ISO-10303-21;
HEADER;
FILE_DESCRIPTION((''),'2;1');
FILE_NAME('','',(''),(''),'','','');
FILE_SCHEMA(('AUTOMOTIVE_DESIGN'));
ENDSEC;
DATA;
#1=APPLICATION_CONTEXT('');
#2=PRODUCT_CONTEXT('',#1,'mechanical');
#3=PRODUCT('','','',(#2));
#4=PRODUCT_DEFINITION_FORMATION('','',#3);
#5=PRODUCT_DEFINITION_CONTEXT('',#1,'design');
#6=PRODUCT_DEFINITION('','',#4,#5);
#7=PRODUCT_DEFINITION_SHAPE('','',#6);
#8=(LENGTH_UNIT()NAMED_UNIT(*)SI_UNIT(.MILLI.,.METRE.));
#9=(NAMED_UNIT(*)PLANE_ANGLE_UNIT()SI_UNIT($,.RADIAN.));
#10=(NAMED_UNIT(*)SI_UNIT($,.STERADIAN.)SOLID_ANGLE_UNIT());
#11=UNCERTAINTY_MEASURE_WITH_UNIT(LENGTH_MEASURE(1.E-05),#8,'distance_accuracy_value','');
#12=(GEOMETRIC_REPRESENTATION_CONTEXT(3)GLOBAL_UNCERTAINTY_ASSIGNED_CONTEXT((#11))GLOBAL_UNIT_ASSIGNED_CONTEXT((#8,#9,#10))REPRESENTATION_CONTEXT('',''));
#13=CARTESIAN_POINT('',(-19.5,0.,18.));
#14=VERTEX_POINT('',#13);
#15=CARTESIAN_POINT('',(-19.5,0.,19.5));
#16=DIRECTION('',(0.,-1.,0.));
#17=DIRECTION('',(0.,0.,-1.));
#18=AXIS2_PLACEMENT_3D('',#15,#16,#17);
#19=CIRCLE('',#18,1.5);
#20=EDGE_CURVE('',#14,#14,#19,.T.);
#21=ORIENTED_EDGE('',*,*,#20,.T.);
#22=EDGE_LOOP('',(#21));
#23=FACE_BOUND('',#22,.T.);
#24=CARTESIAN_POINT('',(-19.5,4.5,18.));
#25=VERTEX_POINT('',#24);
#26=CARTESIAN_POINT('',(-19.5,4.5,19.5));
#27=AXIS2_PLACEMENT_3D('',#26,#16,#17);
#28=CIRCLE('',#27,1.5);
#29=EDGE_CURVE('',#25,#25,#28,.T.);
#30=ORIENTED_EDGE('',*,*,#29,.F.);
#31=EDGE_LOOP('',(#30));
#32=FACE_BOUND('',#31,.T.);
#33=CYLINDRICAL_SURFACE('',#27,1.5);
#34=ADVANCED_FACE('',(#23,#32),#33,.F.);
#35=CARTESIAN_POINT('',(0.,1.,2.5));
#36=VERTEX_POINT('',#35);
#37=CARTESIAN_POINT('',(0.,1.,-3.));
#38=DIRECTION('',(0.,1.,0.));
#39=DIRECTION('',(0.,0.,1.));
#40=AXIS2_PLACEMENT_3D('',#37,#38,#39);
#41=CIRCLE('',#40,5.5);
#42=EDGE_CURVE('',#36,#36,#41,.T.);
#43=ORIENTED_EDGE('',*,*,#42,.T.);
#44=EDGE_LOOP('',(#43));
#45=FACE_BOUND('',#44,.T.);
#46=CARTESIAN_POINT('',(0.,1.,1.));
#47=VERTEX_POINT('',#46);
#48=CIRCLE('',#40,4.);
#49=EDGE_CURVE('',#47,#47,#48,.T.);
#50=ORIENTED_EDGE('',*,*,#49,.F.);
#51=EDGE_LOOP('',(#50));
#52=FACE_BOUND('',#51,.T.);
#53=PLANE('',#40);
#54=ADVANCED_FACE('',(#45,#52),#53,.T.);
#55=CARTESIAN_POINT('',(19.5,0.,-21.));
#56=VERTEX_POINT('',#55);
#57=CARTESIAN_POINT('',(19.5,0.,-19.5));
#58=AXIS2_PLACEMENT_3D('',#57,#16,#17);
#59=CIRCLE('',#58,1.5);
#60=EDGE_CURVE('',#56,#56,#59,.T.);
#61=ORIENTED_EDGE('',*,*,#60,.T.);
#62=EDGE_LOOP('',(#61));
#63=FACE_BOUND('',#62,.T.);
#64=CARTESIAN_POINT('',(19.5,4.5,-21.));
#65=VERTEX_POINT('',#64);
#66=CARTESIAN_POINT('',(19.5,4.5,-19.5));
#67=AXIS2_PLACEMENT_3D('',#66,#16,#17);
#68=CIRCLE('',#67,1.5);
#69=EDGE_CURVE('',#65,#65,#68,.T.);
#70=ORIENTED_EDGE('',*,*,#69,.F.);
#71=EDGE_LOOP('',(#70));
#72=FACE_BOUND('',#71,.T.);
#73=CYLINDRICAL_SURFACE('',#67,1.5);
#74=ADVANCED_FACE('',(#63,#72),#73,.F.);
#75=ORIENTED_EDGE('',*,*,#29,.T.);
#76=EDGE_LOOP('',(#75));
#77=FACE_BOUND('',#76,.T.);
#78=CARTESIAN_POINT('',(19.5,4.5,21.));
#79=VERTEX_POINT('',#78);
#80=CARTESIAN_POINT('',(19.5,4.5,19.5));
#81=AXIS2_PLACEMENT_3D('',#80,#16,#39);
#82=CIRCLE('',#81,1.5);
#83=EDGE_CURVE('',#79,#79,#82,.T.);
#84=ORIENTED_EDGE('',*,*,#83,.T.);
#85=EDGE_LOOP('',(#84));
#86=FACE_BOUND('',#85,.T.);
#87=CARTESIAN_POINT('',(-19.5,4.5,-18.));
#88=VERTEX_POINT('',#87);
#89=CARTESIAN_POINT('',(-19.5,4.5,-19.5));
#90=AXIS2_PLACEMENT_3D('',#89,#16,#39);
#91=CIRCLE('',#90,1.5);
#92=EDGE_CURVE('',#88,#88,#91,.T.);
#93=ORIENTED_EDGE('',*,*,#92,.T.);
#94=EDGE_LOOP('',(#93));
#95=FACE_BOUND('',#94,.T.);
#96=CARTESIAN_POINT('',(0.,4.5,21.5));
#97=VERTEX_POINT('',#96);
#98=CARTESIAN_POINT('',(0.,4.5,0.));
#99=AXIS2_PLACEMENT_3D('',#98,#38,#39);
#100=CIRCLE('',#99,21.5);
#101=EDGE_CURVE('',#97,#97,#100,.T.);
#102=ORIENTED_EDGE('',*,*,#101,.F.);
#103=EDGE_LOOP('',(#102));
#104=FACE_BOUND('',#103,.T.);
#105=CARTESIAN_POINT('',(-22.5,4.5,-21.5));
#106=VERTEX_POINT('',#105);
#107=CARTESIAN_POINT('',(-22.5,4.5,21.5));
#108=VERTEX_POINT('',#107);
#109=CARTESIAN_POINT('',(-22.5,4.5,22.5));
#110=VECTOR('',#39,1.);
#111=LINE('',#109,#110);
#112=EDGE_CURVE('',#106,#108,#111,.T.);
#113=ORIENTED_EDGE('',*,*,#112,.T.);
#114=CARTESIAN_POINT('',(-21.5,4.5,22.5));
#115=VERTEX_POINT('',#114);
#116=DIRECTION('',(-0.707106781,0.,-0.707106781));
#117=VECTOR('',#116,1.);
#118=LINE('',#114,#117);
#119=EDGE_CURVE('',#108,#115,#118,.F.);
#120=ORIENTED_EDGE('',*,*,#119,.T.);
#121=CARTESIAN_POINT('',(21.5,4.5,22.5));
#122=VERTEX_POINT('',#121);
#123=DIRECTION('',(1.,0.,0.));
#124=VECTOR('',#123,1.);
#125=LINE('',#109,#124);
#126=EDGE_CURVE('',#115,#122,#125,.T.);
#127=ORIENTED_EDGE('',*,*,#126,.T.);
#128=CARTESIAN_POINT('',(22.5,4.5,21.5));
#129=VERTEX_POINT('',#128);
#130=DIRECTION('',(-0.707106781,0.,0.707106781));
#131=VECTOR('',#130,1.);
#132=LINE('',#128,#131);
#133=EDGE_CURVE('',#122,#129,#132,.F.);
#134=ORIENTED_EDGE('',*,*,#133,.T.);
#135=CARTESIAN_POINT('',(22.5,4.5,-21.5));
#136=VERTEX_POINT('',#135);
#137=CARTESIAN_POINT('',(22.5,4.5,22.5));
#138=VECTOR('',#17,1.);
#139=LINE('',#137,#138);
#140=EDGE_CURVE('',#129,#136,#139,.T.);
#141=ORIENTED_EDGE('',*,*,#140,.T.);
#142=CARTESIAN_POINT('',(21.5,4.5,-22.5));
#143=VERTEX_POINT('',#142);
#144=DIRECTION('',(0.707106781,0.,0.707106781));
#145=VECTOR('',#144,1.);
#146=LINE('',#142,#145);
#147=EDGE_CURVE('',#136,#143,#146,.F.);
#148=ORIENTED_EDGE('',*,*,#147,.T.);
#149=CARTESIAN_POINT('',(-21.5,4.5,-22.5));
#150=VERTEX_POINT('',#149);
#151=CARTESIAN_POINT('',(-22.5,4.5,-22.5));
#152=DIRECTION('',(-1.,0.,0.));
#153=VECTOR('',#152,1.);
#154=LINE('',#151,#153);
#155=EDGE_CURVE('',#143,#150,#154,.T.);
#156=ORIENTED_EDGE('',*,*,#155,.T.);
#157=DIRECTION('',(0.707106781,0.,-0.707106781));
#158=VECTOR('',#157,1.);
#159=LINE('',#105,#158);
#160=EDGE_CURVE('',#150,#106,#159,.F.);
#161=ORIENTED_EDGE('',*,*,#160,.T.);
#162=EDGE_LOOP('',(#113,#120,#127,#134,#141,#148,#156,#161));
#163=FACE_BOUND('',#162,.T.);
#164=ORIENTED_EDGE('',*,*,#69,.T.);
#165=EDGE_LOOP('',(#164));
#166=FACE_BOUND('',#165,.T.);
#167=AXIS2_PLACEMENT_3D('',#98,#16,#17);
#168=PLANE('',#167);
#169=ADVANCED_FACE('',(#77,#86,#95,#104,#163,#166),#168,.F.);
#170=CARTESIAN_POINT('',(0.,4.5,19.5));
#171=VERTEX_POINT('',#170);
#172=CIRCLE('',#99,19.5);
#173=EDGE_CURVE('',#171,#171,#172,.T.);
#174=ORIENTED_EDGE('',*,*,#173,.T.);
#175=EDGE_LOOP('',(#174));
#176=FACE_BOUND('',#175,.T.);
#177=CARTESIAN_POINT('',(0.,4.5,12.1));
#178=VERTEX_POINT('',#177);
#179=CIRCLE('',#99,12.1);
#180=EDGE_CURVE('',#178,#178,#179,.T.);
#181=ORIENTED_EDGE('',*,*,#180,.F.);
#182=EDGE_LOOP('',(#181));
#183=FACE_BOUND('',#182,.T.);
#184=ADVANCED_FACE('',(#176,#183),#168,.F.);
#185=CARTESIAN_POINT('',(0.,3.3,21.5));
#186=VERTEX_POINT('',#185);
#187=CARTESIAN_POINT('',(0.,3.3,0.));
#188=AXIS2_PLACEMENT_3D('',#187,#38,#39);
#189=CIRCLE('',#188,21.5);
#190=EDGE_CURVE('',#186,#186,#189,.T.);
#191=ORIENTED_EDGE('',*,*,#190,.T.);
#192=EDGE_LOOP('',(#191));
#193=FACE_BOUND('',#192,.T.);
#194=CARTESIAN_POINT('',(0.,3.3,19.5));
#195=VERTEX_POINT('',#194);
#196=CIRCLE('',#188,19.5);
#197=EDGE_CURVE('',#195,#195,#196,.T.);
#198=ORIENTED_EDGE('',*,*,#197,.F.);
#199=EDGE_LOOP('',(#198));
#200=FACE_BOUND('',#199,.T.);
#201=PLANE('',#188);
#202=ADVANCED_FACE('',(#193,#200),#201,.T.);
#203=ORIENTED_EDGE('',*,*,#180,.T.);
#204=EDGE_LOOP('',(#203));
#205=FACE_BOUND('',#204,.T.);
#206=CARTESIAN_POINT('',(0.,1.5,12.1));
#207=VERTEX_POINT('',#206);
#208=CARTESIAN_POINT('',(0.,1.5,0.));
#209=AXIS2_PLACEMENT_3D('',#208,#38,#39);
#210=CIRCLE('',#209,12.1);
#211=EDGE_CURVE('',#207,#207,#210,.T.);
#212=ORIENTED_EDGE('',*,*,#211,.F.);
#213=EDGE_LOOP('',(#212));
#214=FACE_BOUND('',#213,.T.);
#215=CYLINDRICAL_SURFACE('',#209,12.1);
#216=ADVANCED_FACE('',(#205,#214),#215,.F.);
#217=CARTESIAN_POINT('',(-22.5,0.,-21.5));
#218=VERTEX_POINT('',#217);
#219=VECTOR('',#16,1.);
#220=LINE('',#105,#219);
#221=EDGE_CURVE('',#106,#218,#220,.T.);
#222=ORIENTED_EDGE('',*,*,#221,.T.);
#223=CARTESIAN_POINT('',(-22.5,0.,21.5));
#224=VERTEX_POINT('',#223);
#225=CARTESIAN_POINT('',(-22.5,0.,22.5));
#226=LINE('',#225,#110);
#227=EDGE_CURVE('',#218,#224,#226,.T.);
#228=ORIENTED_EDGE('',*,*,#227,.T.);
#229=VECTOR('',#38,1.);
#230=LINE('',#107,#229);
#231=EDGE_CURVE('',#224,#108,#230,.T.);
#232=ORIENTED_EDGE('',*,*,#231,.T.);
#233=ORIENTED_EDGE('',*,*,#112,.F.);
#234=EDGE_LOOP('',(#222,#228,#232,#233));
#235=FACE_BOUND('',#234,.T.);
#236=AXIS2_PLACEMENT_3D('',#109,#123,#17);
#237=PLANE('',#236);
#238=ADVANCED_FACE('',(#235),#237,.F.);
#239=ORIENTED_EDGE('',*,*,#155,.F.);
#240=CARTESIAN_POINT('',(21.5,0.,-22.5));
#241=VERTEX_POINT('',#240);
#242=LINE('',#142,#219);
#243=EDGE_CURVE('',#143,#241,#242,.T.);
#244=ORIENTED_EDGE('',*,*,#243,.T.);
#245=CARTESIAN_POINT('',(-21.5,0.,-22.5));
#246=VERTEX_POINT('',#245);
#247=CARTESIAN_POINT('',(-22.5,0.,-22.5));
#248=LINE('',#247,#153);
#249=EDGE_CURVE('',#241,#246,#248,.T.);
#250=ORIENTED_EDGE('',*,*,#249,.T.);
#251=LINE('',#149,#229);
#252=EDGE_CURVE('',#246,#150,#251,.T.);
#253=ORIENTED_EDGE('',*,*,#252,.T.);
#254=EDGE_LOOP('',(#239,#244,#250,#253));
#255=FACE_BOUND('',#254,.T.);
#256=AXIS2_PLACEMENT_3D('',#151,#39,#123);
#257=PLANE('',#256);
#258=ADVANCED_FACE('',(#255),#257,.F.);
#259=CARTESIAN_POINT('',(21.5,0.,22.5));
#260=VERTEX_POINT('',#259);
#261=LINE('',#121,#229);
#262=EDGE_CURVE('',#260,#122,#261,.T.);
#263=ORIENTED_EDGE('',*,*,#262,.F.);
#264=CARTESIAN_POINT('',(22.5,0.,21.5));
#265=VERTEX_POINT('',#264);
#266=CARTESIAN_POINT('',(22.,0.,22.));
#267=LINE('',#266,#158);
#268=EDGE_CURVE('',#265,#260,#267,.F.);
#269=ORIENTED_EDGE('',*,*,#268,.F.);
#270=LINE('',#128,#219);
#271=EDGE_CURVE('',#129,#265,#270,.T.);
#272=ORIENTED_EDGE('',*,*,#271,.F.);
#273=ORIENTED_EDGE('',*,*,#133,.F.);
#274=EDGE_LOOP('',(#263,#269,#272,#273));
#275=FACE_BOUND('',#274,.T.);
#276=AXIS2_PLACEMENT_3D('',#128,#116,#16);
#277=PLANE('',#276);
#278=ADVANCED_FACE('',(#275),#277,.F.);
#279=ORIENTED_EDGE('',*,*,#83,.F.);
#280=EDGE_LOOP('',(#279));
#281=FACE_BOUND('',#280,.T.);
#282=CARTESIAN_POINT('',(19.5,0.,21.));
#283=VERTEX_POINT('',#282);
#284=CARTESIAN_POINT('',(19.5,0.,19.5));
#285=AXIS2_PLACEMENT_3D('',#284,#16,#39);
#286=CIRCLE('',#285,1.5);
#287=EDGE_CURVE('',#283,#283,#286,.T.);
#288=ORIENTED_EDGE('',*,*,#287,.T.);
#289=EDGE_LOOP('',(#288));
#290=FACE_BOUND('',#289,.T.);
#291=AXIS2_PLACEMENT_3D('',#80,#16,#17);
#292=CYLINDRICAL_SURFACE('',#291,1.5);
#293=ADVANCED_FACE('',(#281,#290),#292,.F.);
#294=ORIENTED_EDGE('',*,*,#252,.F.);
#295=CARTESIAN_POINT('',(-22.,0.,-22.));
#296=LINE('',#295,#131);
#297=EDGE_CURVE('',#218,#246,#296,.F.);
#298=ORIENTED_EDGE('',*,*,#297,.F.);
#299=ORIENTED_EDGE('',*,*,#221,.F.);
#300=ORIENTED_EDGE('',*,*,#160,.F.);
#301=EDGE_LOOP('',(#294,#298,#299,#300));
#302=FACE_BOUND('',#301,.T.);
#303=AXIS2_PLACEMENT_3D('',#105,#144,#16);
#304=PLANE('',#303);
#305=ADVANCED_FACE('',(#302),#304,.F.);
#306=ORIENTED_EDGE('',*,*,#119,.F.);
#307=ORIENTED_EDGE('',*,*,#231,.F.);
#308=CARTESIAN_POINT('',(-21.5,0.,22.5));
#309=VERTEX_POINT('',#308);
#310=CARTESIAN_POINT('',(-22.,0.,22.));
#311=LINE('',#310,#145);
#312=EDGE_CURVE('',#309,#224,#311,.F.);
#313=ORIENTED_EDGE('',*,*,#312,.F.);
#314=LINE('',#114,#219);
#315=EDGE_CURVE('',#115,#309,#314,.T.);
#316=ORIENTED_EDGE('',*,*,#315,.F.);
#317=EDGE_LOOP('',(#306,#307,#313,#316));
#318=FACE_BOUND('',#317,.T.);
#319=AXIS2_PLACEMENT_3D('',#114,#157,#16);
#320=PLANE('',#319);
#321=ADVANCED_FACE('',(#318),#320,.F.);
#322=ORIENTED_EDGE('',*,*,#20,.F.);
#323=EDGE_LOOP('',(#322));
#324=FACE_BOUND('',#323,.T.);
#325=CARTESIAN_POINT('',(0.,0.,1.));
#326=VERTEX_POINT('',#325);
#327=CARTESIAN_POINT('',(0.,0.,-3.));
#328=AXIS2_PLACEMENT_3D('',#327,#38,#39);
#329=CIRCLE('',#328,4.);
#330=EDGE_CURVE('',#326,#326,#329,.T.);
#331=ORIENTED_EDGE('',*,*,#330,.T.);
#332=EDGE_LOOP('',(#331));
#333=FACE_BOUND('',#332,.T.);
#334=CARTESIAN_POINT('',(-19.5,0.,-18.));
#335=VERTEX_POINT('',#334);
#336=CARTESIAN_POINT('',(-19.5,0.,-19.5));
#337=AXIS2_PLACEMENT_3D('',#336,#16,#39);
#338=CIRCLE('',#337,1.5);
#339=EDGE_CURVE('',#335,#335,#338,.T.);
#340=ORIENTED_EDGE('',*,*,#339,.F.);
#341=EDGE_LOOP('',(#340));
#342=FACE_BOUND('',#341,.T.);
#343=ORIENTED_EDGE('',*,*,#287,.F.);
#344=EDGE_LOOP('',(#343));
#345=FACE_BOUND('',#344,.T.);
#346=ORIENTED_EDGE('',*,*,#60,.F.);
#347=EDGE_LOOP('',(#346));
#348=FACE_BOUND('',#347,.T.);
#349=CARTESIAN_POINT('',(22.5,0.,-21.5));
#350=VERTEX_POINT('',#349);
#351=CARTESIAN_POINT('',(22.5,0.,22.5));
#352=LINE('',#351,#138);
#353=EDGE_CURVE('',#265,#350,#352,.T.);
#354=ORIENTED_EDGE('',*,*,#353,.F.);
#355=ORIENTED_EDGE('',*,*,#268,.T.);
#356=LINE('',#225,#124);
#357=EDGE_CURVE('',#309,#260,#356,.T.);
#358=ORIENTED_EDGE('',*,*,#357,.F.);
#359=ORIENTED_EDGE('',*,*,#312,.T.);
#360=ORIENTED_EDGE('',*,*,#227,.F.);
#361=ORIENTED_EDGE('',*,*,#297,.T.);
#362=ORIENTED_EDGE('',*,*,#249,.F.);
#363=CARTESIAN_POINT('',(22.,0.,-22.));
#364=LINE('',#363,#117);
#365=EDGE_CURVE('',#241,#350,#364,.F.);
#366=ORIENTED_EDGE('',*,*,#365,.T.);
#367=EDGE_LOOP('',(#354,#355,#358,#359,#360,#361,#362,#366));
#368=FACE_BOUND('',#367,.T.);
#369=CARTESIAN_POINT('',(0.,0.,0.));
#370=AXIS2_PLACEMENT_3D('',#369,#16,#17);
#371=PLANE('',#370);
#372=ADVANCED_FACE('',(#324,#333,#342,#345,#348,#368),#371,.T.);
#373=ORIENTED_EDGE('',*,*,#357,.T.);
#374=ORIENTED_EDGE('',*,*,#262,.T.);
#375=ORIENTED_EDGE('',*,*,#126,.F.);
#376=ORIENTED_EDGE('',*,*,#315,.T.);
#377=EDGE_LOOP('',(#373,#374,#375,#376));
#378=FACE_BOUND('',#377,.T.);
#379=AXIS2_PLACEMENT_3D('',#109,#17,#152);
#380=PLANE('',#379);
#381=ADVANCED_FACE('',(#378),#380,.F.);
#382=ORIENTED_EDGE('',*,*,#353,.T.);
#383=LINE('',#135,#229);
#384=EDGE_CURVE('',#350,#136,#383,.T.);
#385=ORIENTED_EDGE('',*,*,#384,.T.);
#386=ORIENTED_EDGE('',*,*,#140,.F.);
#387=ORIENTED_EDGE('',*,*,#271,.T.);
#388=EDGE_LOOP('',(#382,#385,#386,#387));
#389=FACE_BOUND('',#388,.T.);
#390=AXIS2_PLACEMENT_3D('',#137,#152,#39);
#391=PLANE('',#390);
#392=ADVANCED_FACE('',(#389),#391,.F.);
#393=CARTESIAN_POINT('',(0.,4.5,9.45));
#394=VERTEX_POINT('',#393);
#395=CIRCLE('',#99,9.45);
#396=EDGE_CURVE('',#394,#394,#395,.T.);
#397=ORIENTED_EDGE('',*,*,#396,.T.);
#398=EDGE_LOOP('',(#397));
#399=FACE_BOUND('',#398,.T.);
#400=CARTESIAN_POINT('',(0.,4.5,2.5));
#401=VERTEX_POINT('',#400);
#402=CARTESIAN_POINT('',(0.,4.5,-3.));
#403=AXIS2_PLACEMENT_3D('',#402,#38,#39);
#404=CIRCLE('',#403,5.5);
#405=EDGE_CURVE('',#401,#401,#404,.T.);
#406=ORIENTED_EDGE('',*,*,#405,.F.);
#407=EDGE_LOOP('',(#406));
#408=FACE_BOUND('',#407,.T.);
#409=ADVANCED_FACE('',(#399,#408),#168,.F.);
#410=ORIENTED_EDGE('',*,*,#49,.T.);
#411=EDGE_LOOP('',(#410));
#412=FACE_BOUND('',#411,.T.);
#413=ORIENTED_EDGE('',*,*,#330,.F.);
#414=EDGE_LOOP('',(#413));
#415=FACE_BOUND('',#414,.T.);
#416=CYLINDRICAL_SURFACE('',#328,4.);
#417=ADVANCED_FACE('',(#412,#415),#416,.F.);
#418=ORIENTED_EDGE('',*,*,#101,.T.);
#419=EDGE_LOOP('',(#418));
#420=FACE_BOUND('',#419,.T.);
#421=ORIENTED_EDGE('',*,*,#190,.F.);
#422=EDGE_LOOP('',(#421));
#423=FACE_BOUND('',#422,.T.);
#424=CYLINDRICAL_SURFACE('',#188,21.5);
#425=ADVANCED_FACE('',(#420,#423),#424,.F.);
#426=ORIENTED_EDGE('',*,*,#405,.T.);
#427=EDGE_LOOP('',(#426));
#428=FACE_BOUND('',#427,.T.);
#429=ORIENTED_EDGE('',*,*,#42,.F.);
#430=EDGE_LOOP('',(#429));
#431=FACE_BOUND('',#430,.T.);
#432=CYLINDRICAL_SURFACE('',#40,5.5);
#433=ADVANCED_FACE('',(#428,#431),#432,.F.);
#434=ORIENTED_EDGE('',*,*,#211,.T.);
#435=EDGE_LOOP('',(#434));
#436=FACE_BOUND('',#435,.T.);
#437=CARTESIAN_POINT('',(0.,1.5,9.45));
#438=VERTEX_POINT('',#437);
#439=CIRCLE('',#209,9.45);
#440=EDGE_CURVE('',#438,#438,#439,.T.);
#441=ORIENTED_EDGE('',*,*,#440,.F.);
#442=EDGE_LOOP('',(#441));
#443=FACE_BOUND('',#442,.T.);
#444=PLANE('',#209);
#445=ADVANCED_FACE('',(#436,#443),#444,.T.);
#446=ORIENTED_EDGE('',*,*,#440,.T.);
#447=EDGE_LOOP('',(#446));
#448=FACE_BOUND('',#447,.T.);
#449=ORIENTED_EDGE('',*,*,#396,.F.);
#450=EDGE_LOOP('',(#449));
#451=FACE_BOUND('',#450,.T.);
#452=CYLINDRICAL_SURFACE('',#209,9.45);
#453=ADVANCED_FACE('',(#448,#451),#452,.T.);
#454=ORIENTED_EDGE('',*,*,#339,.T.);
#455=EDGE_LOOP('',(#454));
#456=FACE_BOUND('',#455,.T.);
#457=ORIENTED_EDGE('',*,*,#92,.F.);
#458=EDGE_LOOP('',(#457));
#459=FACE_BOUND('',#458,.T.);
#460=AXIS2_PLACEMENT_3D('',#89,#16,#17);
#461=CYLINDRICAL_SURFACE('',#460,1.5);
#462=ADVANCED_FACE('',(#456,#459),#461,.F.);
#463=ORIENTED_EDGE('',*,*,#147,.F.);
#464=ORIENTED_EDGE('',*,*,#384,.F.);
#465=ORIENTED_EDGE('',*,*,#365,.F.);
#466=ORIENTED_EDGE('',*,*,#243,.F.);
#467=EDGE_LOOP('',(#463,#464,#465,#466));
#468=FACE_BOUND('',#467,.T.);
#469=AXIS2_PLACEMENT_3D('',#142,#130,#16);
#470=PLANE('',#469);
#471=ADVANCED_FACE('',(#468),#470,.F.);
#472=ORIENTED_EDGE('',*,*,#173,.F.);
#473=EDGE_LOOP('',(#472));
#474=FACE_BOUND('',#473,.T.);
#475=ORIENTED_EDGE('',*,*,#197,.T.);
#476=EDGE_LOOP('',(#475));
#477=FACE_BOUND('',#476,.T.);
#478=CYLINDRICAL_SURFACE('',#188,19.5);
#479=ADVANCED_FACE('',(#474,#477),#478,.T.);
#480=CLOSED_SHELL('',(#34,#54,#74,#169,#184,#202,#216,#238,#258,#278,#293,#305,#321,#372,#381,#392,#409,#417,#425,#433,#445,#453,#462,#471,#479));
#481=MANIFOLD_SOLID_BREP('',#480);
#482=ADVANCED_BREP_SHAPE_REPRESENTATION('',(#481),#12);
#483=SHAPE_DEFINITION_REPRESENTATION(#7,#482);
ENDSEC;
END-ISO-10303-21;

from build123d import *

# Parameters (mm, degrees)
SKETCH_1_W          = 45
SKETCH_1_H          = 45
EXTRUDE_1_DEPTH     = 4.5
SKETCH_2_R          = 5.5
CUT_EXTRUDE_1_DEPTH = 3.5
SKETCH_3_R          = 4
CUT_EXTRUDE_2_DEPTH = 33.011716605
SKETCH_4_R          = 12.1
SKETCH_4_R_2        = 9.45
CUT_EXTRUDE_3_DEPTH = 3
SKETCH_5_R          = 21.5
SKETCH_5_R_2        = 19.5
CUT_EXTRUDE_4_DEPTH = 1.2
CHAMFER_1_SIZE      = 1
SKETCH_6_R          = 1.5
CUT_EXTRUDE_5_DEPTH = 33.136427928


with BuildPart() as part:
    # 草图1 → 凸台-拉伸1 (new body)
    with BuildSketch(Plane(origin=(0, 0, 0), x_dir=(1, 0, 0), z_dir=(0, 1, 0))):
        Rectangle(SKETCH_1_W, SKETCH_1_H)
    extrude(amount=EXTRUDE_1_DEPTH)

    # 草图2 → 切除-拉伸1 (cut)
    with BuildSketch(Plane(origin=(0, 4.5, 0), x_dir=(1, 0, 0), z_dir=(0, 1, 0))):
        with Locations(Location((0, 3, 0), (0, 0, 270))):
            Circle(SKETCH_2_R)
    extrude(amount=-CUT_EXTRUDE_1_DEPTH, mode=Mode.SUBTRACT)

    # 草图3 → 切除-拉伸2 (cut, through all)
    with BuildSketch(Plane(origin=(0, 1, 0), x_dir=(1, 0, 0), z_dir=(0, 1, 0))):
        with Locations(Location((0, 3, 0), (0, 0, 270))):
            Circle(SKETCH_3_R)
    extrude(amount=-CUT_EXTRUDE_2_DEPTH, mode=Mode.SUBTRACT)

    # 草图4 → 切除-拉伸3 (cut)
    with BuildSketch(Plane(origin=(0, 4.5, 0), x_dir=(1, 0, 0), z_dir=(0, 1, 0))):
        with Locations(Location((0, 0, 0), (0, 0, 270))):
            Circle(SKETCH_4_R)
        with Locations(Location((0, 0, 0), (0, 0, 270))):
            Circle(SKETCH_4_R_2, mode=Mode.SUBTRACT)
    extrude(amount=-CUT_EXTRUDE_3_DEPTH, mode=Mode.SUBTRACT)

    # 草图5 → 切除-拉伸4 (cut)
    with BuildSketch(Plane(origin=(0, 4.5, 0), x_dir=(1, 0, 0), z_dir=(0, 1, 0))):
        with Locations(Location((0, 0, 0), (0, 0, 270))):
            Circle(SKETCH_5_R)
        with Locations(Location((0, 0, 0), (0, 0, 270))):
            Circle(SKETCH_5_R_2, mode=Mode.SUBTRACT)
    extrude(amount=-CUT_EXTRUDE_4_DEPTH, mode=Mode.SUBTRACT)

    # 倒角1
    chamfer_1_edges = [part.edges().sort_by_distance(p)[0] for p in [
        (22.5, 2.25, 22.5),
        (-22.5, 2.25, 22.5),
        (-22.5, 2.25, -22.5),
        (22.5, 2.25, -22.5),
    ]]
    chamfer(chamfer_1_edges, length=CHAMFER_1_SIZE)

    # 草图6 → 切除-拉伸5 (cut, through all)
    with BuildSketch(Plane.XZ):
        with Locations(Location((-19.5, 19.5, 0), (0, 0, 270))):
            Circle(SKETCH_6_R)
        with Locations(Location((19.5, 19.5, 0), (0, 0, 90))):
            Circle(SKETCH_6_R)
        with Locations(Location((19.5, -19.5, 0), (0, 0, 270))):
            Circle(SKETCH_6_R)
        with Locations(Location((-19.5, -19.5, 0), (0, 0, 90))):
            Circle(SKETCH_6_R)
    extrude(amount=-CUT_EXTRUDE_5_DEPTH, mode=Mode.SUBTRACT)


solid = part.part
